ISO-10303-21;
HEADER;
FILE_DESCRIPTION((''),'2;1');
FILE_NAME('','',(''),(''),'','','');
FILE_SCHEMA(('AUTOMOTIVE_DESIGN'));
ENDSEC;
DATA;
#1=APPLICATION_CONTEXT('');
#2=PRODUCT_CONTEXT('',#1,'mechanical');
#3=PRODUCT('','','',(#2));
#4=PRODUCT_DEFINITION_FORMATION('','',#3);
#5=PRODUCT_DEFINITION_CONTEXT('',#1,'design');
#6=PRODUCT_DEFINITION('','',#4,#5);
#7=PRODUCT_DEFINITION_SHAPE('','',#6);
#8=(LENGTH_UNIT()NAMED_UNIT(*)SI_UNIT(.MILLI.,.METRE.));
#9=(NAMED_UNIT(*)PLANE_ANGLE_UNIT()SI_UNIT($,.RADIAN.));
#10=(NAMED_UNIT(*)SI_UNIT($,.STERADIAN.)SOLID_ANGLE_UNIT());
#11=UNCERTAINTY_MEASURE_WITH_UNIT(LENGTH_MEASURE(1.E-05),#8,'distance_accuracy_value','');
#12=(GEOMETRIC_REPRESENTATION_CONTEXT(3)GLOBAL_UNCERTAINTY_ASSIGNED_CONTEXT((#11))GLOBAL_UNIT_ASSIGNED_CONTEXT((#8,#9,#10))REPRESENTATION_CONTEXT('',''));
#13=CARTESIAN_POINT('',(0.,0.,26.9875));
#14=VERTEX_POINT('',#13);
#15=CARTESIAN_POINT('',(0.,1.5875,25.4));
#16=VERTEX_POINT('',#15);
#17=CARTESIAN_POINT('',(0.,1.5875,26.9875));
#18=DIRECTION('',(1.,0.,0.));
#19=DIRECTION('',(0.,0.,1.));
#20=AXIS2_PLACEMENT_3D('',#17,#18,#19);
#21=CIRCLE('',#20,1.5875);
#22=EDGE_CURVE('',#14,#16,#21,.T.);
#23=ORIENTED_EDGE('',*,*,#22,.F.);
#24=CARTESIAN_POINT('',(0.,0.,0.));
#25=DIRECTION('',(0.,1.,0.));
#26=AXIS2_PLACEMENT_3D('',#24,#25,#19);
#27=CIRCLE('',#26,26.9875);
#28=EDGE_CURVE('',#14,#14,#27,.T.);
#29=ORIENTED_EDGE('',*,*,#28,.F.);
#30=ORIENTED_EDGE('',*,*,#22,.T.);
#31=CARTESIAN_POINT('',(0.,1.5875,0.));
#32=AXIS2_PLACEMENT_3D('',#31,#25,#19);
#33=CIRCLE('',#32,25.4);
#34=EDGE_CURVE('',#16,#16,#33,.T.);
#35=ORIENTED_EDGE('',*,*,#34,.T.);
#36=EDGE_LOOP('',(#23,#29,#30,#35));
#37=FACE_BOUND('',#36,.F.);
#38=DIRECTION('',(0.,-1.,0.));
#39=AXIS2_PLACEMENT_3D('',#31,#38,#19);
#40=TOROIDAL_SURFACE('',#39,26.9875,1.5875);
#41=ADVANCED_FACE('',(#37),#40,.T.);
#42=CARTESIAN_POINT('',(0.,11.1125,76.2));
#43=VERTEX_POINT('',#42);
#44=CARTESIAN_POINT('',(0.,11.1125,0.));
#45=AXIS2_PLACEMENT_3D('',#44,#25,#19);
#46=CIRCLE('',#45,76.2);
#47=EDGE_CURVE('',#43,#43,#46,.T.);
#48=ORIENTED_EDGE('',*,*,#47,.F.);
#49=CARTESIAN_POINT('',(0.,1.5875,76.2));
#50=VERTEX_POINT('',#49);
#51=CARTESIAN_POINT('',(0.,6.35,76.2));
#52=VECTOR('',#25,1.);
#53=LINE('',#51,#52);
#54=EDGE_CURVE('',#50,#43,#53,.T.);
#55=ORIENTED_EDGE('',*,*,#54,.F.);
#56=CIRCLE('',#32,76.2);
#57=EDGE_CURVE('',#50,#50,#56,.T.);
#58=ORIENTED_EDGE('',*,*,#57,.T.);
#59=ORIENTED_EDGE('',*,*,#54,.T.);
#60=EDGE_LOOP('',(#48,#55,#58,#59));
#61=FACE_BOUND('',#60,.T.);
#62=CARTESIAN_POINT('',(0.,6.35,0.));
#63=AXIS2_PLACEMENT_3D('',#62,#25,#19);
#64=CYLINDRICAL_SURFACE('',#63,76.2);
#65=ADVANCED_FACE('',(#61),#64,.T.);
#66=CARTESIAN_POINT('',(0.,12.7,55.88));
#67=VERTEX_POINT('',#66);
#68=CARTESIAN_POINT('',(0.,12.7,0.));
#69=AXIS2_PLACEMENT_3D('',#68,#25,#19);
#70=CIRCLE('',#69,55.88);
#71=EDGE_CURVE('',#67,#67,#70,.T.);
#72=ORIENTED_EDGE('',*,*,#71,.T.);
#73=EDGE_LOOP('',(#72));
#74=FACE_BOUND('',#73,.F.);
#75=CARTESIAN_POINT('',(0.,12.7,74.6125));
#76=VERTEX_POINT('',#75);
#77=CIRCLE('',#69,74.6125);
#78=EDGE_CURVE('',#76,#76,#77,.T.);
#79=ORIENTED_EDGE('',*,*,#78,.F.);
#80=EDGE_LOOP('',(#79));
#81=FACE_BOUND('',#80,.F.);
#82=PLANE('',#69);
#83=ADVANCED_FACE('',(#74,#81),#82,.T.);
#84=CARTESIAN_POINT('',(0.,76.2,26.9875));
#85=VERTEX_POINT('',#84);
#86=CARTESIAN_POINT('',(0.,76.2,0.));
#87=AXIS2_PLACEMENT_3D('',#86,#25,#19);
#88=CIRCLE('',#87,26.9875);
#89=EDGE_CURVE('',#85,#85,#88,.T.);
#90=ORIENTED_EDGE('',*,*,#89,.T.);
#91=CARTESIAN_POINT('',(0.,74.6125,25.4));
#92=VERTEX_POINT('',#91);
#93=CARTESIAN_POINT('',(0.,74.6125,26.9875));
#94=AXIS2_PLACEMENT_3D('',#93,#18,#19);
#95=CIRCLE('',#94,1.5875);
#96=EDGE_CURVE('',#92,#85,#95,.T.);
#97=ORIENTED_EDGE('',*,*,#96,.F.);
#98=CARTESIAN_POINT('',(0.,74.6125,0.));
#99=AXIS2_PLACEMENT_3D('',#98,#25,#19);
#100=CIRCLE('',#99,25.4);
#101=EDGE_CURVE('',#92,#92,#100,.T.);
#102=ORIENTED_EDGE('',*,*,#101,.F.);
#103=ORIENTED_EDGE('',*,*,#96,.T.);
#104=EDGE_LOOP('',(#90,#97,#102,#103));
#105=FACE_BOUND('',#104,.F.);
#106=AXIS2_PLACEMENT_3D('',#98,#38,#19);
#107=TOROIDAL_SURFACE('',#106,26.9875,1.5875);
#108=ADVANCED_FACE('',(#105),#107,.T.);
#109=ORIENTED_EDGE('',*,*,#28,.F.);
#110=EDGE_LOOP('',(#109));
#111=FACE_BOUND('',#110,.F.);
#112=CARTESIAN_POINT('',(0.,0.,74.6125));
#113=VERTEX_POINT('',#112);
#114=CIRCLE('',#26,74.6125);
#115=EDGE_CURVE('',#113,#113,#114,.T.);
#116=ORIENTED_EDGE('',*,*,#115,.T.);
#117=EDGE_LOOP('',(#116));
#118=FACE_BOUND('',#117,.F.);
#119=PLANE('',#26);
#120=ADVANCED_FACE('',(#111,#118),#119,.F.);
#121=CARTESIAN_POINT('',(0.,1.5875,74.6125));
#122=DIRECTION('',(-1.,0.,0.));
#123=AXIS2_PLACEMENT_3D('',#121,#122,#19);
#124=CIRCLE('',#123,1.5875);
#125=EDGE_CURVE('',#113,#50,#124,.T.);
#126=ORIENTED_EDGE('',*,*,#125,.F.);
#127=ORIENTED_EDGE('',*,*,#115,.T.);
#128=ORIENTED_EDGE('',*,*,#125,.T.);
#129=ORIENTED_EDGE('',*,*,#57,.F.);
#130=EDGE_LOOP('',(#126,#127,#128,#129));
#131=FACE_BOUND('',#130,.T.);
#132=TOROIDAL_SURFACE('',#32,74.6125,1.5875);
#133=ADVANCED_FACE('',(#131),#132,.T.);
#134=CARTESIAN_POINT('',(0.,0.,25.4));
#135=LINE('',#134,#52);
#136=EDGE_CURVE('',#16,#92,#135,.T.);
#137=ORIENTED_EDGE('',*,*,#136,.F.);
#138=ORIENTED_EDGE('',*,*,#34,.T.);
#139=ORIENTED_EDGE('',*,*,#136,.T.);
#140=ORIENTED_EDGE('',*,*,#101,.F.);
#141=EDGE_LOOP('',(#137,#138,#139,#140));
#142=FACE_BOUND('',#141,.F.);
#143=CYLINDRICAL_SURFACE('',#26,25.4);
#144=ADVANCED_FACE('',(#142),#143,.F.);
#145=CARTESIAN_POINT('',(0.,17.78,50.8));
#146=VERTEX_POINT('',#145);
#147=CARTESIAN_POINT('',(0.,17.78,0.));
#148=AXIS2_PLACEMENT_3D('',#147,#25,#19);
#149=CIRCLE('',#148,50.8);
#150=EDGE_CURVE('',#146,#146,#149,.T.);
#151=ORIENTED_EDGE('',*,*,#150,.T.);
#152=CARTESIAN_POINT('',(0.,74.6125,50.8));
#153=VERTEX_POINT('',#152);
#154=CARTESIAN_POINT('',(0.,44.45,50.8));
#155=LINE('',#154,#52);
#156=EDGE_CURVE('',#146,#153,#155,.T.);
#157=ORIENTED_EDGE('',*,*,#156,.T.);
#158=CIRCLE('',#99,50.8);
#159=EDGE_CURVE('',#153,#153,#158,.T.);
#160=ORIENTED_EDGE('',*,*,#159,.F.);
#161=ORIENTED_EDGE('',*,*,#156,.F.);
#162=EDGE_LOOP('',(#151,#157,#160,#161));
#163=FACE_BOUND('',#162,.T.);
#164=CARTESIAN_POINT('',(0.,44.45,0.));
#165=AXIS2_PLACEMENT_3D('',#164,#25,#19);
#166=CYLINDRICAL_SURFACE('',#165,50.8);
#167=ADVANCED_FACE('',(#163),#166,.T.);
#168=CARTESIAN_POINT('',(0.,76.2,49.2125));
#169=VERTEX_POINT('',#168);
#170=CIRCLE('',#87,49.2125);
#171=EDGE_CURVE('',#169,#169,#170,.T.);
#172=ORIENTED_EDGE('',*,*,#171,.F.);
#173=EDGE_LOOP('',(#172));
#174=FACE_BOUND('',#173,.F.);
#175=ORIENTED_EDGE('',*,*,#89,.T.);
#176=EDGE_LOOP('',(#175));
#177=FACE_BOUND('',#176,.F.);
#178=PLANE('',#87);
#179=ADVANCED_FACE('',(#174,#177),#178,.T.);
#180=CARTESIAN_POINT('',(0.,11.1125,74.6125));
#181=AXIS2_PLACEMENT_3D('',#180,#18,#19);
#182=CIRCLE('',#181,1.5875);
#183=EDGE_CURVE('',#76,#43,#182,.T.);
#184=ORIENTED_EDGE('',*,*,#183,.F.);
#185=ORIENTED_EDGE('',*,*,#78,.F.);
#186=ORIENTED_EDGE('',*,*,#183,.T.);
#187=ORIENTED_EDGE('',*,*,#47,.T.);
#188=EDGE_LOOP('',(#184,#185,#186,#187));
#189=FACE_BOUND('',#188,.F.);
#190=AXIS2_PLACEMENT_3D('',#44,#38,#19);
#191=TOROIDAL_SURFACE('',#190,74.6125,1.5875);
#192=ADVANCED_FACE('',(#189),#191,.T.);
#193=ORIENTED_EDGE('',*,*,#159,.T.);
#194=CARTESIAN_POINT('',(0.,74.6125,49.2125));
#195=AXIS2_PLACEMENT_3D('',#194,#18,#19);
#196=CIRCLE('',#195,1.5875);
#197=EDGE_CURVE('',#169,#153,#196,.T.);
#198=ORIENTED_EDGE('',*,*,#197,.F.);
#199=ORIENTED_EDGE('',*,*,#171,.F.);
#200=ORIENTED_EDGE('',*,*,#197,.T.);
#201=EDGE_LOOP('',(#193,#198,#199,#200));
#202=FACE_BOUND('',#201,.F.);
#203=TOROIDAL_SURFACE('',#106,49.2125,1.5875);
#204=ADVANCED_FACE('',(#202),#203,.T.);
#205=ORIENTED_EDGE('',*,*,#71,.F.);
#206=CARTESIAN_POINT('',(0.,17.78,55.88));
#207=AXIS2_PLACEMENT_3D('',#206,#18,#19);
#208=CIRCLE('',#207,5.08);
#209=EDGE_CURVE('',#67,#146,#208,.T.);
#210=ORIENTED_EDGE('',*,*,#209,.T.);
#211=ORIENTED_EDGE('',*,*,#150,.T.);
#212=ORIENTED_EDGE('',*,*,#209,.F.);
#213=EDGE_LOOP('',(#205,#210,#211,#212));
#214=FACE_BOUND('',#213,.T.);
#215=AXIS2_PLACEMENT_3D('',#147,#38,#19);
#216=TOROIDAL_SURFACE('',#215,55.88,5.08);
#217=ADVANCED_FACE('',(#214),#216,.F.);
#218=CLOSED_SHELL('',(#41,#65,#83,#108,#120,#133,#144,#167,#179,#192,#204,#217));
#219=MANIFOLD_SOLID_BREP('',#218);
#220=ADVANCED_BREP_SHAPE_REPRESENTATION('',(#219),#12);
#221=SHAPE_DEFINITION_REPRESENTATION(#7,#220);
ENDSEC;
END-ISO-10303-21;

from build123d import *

# Parameters (mm, degrees)
F0_W   = 12.7
F0_H   = 25.4
F0_W_2 = 63.5
F2_R   = 1.5875
F3_R   = 5.08


with BuildPart() as f1:
    # F0 (on Right) → F1 (revolve)
    with BuildSketch(Plane.YZ):
        with Locations((6.35, 63.5)):
            Rectangle(F0_W, F0_H)
        with Locations((6.35, 38.1)):
            Rectangle(F0_W, F0_H)
        with Locations((44.45, 38.1)):
            Rectangle(F0_W_2, F0_H)
    revolve(axis=Axis((0, 45.261729, 0), (0, 1, 0)))

    # F2
    f2_edges = [f1.edges().sort_by_distance(p)[0] for p in [
        (0, 12.7, -76.2),
        (0, 0, -76.2),
        (0, 76.2, -50.8),
        (0, 76.2, -25.4),
        (0, 0, -25.4),
    ]]
    fillet(f2_edges, radius=F2_R)

    # F3
    f3_edges = [f1.edges().sort_by_distance(p)[0] for p in [
        (0, 12.7, -50.8),
    ]]
    fillet(f3_edges, radius=F3_R)


solid = f1.part
